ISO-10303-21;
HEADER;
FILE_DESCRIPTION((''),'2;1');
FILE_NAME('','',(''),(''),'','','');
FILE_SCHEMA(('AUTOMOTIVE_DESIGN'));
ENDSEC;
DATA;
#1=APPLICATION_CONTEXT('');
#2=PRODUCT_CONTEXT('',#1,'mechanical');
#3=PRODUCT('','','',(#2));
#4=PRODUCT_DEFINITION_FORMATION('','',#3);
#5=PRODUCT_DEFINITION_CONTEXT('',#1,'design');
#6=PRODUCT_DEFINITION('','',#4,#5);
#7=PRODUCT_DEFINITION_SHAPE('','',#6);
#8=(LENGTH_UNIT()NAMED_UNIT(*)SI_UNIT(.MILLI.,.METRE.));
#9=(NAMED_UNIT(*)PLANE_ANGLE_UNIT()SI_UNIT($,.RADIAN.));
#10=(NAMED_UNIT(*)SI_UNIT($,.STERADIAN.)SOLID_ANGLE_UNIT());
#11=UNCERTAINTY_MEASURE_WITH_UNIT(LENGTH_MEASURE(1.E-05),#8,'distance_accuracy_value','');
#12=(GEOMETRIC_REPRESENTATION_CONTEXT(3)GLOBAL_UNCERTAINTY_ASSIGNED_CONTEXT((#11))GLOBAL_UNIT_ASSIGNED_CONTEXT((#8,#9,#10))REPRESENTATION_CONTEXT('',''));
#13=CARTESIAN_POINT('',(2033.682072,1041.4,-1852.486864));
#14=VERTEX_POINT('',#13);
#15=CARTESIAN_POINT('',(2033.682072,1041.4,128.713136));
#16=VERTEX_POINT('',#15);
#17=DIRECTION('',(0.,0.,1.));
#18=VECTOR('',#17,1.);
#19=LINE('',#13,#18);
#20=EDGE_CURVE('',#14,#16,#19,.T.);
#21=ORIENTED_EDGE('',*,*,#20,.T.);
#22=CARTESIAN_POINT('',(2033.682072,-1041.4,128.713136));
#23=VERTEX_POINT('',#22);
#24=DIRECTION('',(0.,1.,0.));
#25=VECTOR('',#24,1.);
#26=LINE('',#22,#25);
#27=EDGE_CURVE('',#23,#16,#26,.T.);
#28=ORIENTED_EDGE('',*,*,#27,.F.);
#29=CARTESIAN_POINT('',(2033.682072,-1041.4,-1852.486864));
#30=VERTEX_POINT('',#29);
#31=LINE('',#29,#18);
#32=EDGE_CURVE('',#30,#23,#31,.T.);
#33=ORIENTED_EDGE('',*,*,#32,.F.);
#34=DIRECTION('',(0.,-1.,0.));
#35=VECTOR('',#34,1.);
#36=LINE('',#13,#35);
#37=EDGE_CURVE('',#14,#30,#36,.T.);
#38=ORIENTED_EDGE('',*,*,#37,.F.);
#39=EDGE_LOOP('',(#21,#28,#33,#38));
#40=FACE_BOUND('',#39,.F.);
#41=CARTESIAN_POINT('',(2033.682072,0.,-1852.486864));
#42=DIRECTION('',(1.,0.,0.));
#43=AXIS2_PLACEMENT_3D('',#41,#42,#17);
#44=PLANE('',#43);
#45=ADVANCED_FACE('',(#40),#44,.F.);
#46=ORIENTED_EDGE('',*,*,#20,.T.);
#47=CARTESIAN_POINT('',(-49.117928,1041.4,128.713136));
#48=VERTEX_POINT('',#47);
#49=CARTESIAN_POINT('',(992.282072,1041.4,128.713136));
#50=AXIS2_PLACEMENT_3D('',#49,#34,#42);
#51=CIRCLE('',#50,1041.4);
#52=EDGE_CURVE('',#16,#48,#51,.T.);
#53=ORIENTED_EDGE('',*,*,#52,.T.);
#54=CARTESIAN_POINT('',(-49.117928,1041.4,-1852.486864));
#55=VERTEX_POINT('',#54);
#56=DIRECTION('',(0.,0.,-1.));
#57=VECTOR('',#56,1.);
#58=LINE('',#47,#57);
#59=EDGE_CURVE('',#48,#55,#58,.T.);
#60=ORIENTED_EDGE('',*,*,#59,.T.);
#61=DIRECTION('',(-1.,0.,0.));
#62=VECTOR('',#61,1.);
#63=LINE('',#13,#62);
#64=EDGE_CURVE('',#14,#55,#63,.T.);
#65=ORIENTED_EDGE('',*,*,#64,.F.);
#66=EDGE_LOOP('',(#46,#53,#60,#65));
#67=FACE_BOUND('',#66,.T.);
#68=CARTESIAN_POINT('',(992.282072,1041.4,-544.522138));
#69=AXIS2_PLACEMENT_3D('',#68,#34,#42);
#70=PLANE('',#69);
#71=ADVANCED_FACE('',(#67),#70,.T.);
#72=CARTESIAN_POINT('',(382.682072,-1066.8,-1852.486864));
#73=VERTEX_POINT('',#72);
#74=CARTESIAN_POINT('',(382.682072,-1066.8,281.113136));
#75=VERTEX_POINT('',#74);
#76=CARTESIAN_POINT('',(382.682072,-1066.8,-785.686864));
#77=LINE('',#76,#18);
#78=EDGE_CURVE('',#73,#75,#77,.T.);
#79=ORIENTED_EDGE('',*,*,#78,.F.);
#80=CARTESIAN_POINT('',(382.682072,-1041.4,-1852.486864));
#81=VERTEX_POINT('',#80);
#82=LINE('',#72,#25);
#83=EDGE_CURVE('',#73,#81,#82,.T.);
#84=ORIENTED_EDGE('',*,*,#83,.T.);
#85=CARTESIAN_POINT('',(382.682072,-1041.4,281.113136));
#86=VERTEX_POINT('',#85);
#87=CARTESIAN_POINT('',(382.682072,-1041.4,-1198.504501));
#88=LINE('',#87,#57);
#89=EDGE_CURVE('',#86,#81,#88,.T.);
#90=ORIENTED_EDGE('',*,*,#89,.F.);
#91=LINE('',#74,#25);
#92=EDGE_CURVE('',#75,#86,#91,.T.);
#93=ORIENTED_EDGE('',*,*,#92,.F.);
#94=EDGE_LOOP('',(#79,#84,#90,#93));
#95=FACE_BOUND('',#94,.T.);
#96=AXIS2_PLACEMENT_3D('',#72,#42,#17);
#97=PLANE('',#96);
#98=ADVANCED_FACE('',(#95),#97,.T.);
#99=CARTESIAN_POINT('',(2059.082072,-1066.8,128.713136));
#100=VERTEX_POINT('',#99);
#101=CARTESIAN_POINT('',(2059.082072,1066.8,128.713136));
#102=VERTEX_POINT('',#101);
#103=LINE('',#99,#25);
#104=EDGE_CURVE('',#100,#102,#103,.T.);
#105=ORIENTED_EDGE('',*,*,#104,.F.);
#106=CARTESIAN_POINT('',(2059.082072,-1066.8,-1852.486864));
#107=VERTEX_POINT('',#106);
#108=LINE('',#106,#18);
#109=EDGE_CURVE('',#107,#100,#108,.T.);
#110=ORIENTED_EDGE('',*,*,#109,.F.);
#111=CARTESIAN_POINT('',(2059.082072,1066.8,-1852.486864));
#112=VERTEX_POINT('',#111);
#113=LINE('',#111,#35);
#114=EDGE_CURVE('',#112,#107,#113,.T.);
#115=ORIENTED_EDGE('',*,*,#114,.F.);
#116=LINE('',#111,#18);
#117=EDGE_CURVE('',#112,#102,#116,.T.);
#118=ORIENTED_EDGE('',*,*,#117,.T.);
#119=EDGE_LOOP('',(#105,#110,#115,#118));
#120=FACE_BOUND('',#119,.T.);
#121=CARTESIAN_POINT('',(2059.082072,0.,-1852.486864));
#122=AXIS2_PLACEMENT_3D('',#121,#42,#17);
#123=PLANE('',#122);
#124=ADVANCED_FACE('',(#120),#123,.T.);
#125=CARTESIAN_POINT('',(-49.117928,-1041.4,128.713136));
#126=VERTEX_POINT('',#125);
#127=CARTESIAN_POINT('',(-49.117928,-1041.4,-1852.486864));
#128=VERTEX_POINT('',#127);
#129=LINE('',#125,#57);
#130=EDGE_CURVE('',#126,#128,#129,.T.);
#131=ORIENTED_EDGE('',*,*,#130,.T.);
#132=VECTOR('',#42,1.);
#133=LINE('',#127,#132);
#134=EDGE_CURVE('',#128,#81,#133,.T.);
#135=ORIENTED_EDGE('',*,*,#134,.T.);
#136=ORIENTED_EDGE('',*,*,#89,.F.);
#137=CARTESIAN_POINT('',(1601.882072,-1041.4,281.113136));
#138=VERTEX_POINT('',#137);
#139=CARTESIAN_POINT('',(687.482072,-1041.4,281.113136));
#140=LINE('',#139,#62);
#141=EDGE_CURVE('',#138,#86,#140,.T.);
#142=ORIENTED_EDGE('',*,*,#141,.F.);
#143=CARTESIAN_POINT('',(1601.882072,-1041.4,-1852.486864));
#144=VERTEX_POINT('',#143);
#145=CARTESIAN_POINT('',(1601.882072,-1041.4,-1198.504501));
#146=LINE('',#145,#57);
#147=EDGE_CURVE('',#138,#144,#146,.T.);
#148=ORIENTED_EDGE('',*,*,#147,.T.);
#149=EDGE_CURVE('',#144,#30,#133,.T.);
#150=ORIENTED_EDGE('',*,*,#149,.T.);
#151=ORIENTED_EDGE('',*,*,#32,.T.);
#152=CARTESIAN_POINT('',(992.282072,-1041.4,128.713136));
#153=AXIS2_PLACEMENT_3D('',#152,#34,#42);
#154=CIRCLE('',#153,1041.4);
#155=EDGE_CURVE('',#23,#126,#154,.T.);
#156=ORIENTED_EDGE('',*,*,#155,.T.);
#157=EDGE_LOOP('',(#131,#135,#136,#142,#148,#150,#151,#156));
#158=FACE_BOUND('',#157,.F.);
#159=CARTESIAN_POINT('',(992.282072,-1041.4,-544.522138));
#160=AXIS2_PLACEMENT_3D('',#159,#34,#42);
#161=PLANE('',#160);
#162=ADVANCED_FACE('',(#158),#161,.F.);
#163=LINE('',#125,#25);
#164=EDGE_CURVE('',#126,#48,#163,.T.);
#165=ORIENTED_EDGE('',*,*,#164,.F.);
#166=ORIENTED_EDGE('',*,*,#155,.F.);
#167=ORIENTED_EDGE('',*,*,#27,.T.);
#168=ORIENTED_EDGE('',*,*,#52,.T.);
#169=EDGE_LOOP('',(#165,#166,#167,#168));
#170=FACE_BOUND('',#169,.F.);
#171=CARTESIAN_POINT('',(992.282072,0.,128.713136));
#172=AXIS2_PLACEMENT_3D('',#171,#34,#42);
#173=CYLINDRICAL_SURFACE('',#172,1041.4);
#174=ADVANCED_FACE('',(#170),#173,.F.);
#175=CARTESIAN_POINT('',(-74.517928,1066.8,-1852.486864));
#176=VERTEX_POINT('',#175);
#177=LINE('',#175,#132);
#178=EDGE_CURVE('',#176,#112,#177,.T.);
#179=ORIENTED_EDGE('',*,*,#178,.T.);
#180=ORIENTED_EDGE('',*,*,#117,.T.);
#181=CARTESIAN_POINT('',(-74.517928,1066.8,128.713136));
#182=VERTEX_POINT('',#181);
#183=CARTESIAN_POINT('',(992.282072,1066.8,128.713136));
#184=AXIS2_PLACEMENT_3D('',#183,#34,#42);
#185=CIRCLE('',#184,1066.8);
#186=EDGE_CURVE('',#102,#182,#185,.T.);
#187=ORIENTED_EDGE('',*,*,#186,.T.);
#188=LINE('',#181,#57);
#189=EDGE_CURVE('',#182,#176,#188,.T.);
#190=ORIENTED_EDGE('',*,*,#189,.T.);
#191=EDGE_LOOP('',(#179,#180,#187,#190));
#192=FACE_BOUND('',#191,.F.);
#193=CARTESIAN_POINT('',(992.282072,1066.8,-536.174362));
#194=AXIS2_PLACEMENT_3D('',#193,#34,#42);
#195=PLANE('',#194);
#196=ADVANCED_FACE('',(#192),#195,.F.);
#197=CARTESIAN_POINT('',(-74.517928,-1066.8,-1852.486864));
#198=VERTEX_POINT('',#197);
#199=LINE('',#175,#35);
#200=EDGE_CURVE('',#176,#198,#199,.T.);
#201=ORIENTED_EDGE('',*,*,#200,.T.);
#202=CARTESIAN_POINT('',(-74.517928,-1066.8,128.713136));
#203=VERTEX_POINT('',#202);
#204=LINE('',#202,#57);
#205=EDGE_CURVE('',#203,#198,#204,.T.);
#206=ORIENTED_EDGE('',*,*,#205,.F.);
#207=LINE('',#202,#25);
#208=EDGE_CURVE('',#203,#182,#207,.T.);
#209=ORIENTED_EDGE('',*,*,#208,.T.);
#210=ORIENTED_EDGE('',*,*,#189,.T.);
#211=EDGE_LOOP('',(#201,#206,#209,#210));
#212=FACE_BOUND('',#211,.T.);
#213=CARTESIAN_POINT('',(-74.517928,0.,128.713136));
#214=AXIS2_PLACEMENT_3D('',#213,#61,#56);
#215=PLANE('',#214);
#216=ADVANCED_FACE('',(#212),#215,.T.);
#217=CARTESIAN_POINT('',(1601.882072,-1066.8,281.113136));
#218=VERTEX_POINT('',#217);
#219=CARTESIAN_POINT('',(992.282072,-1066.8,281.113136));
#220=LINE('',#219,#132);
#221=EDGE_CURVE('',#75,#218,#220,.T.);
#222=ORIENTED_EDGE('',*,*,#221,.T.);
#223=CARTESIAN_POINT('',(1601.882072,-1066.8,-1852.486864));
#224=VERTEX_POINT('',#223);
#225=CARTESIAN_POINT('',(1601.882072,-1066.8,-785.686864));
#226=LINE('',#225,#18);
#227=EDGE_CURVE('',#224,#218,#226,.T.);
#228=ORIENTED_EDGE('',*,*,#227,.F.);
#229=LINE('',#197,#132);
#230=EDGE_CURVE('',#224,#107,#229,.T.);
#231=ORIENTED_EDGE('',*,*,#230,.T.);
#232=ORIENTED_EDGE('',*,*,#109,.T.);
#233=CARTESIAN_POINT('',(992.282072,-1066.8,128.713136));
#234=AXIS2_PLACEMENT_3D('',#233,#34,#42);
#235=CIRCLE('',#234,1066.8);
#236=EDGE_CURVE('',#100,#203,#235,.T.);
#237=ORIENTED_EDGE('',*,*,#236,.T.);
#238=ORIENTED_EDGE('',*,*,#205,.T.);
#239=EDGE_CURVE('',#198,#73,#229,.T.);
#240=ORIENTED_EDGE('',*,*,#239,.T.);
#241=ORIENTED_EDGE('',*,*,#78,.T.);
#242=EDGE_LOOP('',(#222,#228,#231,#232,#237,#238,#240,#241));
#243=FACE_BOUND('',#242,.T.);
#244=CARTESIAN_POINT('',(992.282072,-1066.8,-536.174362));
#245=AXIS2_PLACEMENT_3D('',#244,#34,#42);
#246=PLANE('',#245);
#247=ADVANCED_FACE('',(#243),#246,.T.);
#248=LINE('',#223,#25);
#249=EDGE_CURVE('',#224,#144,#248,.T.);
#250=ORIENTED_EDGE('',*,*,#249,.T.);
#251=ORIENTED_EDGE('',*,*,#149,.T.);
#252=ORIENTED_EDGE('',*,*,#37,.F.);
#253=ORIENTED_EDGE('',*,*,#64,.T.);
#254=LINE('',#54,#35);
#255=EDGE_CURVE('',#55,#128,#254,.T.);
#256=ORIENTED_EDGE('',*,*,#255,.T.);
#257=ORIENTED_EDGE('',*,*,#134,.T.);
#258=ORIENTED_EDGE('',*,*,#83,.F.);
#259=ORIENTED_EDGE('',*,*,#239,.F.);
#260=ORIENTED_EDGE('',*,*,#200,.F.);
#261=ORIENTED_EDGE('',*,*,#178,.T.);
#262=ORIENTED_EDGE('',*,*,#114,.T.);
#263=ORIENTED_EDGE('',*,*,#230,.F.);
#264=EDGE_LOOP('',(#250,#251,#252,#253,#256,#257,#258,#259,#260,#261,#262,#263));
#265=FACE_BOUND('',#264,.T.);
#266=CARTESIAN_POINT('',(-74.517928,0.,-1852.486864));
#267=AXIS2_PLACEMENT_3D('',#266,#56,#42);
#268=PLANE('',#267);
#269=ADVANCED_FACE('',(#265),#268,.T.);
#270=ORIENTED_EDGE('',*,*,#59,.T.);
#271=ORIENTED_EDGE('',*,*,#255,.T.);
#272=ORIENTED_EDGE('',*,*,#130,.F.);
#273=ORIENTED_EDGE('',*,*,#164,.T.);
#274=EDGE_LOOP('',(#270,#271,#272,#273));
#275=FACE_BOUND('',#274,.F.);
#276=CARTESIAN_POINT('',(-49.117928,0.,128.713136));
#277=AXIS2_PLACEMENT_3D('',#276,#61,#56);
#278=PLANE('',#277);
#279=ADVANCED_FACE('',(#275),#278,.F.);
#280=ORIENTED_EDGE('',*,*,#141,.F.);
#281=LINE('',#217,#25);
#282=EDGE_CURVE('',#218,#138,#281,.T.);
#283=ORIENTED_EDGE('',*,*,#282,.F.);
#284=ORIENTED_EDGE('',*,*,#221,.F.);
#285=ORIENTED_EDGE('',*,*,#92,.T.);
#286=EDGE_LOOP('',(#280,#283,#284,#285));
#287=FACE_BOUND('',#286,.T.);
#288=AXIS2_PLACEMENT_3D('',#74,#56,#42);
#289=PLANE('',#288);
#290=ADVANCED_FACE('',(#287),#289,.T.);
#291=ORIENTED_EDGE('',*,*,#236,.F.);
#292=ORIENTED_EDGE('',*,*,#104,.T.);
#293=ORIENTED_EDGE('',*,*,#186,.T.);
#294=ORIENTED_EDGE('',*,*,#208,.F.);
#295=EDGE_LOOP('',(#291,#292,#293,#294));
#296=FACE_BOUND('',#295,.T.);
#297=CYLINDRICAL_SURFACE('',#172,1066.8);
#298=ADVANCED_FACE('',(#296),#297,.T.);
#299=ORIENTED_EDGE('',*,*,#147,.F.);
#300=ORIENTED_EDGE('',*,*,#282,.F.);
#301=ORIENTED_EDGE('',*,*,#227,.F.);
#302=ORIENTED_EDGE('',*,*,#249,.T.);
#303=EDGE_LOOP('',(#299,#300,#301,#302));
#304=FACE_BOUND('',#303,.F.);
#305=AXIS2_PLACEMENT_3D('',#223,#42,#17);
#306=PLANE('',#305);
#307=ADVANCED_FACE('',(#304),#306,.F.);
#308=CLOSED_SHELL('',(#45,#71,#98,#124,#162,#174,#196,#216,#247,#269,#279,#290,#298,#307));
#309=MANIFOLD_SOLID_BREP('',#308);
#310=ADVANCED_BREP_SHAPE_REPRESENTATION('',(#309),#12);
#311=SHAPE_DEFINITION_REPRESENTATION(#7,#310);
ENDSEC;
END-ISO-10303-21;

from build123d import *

# Parameters (mm, degrees)
F1_DEPTH = 1066.8
F2_W     = 1219.2
F2_H     = 2133.6
F3_DEPTH = 2108.2
F5_DEPTH = 1041.4


with BuildPart() as f1:
    # F0 (on Front) → F1 (new body, symmetric)
    with BuildSketch(Plane.XZ):
        with BuildLine():
            Line((-74.517928, 128.713136), (-74.517928, -1852.486864))
            Line((-74.517928, -1852.486864), (2059.082072, -1852.486864))
            Line((2059.082072, -1852.486864), (2059.082072, 128.713136))
            ThreePointArc((2059.082072, 128.713136), (992.282072, 1195.513136), (-74.517928, 128.713136))
        make_face()
    extrude(amount=F1_DEPTH, both=True)

    # F2 (on face) → F3 (cut)
    with BuildSketch(Plane.XZ.offset(1066.8)):
        with Locations((992.282072, -785.686864)):
            Rectangle(F2_W, F2_H)
    extrude(amount=-F3_DEPTH, mode=Mode.SUBTRACT)

    # F4 (on Front) → F5 (cut, symmetric)
    with BuildSketch(Plane.XZ):
        with BuildLine():
            Line((-49.117928, 128.713136), (-49.117928, -1852.486864))
            Line((-49.117928, -1852.486864), (2033.682072, -1852.486864))
            Line((2033.682072, -1852.486864), (2033.682072, 128.713136))
            ThreePointArc((2033.682072, 128.713136), (992.282072, 1170.113136), (-49.117928, 128.713136))
        make_face()
    extrude(amount=F5_DEPTH, both=True, mode=Mode.SUBTRACT)


solid = f1.part
